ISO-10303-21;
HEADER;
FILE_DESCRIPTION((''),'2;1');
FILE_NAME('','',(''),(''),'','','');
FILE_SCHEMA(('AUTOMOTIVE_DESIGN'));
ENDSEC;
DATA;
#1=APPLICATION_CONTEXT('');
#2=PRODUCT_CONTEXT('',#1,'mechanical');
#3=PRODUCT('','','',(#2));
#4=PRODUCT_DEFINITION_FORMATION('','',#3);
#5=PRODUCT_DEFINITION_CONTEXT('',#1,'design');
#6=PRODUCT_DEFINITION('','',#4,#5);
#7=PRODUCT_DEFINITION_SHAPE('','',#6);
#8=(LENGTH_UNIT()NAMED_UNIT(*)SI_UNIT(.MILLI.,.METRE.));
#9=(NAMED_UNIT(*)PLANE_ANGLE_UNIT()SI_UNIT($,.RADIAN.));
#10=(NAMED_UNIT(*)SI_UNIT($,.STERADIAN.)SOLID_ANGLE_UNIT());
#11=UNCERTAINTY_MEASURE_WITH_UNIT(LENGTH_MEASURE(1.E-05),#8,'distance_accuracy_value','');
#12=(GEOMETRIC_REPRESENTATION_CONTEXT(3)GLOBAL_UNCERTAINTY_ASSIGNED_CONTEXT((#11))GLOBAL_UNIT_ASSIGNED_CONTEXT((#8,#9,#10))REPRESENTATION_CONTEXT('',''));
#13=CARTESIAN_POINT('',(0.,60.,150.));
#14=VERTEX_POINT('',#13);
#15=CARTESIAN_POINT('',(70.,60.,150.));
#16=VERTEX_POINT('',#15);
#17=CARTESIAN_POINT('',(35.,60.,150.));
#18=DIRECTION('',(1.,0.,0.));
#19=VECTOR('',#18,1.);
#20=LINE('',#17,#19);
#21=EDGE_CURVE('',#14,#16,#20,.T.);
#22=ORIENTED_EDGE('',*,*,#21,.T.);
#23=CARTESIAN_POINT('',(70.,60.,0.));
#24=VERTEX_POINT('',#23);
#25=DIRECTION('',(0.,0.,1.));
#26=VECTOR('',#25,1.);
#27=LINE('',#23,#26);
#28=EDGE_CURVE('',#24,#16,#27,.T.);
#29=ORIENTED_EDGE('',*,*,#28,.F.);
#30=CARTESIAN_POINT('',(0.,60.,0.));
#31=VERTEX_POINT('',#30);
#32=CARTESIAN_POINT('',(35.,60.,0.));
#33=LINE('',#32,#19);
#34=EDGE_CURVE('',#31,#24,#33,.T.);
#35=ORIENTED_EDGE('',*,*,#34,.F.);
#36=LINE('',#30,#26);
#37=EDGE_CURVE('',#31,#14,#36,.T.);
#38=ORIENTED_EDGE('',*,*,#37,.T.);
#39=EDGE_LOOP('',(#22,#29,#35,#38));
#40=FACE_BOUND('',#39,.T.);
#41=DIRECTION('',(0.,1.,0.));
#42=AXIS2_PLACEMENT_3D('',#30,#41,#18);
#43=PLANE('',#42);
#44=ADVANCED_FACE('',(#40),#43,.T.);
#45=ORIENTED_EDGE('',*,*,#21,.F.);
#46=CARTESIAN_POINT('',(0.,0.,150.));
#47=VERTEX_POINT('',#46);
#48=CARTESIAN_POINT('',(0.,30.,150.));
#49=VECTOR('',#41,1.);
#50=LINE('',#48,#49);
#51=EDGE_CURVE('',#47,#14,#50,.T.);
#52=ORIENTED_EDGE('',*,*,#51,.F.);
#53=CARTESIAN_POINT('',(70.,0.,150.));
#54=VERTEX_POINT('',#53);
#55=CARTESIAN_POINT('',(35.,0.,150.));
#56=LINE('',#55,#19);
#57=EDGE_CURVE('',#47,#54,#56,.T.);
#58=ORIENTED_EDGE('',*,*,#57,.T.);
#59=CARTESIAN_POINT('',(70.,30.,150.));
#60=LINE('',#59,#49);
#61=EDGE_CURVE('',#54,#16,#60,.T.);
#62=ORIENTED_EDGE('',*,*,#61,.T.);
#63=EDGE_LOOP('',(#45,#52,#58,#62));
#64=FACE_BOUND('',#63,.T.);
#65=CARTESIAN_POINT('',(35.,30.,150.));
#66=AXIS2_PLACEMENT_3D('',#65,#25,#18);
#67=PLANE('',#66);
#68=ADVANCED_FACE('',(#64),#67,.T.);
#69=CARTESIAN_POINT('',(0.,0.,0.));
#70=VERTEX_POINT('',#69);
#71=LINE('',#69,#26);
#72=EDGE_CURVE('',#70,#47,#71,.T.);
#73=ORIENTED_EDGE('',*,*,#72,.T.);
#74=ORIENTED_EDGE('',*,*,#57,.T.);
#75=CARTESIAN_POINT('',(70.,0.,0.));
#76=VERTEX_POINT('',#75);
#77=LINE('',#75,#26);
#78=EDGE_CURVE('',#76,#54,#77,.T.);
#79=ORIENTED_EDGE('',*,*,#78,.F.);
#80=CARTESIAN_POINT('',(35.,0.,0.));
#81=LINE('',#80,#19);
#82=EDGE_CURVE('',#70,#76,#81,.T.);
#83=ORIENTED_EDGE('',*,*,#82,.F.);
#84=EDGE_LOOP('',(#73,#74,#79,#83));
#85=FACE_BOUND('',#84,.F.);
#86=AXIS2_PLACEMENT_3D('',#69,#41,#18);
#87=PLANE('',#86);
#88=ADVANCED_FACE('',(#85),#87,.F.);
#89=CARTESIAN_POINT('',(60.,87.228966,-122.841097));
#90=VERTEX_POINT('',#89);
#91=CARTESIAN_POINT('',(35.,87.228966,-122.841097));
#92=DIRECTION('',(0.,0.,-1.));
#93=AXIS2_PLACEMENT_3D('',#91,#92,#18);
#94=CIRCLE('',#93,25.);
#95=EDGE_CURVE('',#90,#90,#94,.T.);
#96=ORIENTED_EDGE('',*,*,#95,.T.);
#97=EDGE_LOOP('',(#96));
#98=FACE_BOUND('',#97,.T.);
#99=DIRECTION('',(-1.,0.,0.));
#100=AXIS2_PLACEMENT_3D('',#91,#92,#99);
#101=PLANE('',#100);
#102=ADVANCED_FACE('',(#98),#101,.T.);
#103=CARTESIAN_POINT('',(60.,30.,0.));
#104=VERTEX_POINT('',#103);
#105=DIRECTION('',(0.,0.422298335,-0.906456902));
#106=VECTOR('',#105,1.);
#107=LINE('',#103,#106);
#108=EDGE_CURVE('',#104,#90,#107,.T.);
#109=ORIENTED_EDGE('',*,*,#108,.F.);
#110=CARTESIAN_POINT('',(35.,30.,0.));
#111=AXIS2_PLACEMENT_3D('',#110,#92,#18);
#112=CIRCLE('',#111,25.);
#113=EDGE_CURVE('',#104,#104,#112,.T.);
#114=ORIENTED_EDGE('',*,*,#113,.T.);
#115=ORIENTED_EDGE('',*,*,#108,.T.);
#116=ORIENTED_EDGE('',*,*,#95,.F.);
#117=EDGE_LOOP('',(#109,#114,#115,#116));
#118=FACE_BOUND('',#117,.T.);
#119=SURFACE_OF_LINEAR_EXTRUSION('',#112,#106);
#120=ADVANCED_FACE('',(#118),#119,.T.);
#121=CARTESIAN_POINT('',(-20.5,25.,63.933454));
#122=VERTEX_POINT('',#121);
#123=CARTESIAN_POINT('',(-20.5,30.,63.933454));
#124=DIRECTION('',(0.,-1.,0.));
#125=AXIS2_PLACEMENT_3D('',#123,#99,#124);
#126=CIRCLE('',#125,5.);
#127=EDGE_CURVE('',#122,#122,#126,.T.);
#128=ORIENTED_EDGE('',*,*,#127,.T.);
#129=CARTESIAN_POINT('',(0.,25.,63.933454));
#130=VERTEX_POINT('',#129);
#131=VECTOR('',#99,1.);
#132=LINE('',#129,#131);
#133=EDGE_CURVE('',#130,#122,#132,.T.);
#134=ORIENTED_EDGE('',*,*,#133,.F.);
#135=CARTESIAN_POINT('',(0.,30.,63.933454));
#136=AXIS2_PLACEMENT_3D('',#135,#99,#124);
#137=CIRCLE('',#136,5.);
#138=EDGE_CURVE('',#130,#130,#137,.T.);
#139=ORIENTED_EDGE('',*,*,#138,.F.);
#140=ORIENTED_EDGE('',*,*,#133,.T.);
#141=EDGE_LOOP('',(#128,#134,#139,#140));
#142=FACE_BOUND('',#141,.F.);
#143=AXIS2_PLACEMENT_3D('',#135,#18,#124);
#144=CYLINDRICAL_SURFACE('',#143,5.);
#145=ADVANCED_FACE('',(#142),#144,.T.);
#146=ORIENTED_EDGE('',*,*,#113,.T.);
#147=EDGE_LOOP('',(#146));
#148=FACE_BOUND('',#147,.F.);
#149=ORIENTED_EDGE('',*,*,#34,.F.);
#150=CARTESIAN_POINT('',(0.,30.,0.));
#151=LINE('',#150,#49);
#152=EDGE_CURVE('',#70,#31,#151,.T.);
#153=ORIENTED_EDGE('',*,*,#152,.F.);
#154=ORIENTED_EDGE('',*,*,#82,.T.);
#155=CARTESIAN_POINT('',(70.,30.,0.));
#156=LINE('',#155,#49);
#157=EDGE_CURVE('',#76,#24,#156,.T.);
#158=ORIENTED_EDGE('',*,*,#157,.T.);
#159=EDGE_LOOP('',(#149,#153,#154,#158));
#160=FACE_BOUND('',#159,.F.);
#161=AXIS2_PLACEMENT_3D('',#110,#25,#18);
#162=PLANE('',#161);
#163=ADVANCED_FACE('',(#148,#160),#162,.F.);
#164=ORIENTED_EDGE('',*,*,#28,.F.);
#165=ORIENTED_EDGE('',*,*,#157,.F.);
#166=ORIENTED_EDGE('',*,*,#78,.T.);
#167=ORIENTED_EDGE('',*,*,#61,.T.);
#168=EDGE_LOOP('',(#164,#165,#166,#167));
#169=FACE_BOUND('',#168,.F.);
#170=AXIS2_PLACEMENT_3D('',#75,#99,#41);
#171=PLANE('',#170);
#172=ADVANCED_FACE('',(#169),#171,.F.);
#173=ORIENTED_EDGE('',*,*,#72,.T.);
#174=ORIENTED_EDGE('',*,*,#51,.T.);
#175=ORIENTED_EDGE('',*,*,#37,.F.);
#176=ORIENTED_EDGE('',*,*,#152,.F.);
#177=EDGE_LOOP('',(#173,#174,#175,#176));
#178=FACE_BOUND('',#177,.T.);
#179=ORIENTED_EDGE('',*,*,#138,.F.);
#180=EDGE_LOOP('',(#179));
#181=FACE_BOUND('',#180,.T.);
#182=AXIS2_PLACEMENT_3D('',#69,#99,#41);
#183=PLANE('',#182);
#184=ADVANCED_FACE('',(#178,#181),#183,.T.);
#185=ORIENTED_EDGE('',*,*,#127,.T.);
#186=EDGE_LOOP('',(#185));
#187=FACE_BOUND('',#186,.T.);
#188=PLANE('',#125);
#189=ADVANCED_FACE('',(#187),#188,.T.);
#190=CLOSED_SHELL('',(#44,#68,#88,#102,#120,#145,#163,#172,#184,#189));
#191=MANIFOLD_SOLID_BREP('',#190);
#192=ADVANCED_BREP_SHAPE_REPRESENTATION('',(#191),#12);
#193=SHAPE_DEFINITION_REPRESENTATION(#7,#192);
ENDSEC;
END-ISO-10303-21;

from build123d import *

# Parameters (mm, degrees)
F0_W     = 70
F0_H     = 60
F1_DEPTH = 150
F3_R     = 25
F6_R     = 5
F7_DEPTH = 20.5


with BuildPart() as f1:
    # F0 (on Top) → F1 (new body)
    with BuildSketch(Plane.XY):
        with Locations((35, 30)):
            Rectangle(F0_W, F0_H)
    extrude(amount=F1_DEPTH)

    # F5: sweep along a path in F4
    with BuildLine(Plane.YZ.offset(35)) as f5_path:
        Line((29.8517439514, 0), (87.0807096362, -122.8410974145))
    # F3 (on face) → F5 (sweep)
    with BuildSketch(Plane(origin=(0, 0, 0), x_dir=(1, 0, 0), z_dir=(0, 0, -1))):
        with Locations((35, -30)):
            Circle(F3_R)
    sweep(path=f5_path.line)

    # F6 (on face) → F7 (join)
    with BuildSketch(Plane(origin=(0, 0, 0), x_dir=(0, -1, 0), z_dir=(-1, 0, 0))):
        with Locations((-30, 63.9334544539)):
            Circle(F6_R)
    extrude(amount=F7_DEPTH)


solid = f1.part
